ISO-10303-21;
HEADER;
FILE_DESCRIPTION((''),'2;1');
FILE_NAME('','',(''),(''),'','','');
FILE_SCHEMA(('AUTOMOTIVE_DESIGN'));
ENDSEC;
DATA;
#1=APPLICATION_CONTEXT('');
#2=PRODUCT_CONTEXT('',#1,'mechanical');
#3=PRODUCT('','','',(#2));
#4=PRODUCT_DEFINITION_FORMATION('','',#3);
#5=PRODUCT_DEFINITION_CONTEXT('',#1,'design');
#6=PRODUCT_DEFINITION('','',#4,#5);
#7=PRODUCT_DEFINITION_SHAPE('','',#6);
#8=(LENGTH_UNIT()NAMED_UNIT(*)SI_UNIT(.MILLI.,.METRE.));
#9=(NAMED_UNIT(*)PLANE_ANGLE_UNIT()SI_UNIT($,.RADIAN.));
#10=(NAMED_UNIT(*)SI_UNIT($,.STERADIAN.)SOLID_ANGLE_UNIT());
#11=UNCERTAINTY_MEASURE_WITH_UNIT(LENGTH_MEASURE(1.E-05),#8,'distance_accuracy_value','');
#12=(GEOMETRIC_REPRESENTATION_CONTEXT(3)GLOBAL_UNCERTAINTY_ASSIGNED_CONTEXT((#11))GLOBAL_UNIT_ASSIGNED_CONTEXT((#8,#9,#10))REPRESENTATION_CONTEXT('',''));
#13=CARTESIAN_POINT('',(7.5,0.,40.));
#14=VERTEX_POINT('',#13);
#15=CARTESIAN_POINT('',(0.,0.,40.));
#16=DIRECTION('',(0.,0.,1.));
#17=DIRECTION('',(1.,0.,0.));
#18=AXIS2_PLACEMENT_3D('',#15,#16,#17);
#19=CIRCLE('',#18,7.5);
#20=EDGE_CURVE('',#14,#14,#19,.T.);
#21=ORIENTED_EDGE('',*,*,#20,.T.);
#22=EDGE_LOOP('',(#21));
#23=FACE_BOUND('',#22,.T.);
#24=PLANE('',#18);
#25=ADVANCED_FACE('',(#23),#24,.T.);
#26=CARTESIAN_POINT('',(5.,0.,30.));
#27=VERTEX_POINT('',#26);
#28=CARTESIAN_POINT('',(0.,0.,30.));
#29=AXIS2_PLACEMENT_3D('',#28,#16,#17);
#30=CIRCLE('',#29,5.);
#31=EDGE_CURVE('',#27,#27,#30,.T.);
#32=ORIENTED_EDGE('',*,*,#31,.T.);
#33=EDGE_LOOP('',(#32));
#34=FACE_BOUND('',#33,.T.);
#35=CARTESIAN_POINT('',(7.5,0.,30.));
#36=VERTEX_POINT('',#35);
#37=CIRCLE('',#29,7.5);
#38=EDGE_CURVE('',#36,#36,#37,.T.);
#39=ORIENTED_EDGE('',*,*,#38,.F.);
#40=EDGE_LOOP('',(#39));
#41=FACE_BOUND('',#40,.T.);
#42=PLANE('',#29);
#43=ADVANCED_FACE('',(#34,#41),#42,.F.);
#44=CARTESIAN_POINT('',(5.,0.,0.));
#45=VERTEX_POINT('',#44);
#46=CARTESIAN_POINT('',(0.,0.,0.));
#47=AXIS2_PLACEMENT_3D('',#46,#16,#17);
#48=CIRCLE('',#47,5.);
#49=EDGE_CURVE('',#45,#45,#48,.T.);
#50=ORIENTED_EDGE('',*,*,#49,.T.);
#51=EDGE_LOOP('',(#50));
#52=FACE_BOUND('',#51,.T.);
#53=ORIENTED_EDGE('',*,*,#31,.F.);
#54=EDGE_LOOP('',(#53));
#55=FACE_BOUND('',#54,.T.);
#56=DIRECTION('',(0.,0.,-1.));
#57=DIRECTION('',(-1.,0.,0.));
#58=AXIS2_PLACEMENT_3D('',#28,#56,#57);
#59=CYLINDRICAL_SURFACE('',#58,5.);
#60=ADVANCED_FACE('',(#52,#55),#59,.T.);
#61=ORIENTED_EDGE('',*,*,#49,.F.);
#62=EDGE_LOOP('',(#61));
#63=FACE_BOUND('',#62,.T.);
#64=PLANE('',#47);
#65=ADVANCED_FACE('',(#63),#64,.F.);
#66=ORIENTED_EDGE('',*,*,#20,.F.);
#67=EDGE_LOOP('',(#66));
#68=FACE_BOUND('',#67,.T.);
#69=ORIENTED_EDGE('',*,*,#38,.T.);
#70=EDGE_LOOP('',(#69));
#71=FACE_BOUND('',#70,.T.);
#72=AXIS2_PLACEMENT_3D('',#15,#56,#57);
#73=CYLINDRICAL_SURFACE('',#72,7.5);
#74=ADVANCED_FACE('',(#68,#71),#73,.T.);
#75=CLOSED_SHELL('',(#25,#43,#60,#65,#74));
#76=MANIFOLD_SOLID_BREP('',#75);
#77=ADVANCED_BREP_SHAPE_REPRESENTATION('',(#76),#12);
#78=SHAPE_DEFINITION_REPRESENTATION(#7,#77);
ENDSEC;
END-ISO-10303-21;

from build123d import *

# Parameters (mm, degrees)
SKETCH1_R           = 5
BOSS_EXTRUDE1_DEPTH = 30
SKETCH2_R           = 7.5
BOSS_EXTRUDE2_DEPTH = 10


with BuildPart() as part:
    # Sketch1 → Boss-Extrude1 (new body)
    with BuildSketch(Plane.XY):
        Circle(SKETCH1_R)
    extrude(amount=BOSS_EXTRUDE1_DEPTH)

    # Sketch2 → Boss-Extrude2 (add)
    with BuildSketch(Plane.XY.offset(30)):
        Circle(SKETCH2_R)
    extrude(amount=BOSS_EXTRUDE2_DEPTH)


solid = part.part
